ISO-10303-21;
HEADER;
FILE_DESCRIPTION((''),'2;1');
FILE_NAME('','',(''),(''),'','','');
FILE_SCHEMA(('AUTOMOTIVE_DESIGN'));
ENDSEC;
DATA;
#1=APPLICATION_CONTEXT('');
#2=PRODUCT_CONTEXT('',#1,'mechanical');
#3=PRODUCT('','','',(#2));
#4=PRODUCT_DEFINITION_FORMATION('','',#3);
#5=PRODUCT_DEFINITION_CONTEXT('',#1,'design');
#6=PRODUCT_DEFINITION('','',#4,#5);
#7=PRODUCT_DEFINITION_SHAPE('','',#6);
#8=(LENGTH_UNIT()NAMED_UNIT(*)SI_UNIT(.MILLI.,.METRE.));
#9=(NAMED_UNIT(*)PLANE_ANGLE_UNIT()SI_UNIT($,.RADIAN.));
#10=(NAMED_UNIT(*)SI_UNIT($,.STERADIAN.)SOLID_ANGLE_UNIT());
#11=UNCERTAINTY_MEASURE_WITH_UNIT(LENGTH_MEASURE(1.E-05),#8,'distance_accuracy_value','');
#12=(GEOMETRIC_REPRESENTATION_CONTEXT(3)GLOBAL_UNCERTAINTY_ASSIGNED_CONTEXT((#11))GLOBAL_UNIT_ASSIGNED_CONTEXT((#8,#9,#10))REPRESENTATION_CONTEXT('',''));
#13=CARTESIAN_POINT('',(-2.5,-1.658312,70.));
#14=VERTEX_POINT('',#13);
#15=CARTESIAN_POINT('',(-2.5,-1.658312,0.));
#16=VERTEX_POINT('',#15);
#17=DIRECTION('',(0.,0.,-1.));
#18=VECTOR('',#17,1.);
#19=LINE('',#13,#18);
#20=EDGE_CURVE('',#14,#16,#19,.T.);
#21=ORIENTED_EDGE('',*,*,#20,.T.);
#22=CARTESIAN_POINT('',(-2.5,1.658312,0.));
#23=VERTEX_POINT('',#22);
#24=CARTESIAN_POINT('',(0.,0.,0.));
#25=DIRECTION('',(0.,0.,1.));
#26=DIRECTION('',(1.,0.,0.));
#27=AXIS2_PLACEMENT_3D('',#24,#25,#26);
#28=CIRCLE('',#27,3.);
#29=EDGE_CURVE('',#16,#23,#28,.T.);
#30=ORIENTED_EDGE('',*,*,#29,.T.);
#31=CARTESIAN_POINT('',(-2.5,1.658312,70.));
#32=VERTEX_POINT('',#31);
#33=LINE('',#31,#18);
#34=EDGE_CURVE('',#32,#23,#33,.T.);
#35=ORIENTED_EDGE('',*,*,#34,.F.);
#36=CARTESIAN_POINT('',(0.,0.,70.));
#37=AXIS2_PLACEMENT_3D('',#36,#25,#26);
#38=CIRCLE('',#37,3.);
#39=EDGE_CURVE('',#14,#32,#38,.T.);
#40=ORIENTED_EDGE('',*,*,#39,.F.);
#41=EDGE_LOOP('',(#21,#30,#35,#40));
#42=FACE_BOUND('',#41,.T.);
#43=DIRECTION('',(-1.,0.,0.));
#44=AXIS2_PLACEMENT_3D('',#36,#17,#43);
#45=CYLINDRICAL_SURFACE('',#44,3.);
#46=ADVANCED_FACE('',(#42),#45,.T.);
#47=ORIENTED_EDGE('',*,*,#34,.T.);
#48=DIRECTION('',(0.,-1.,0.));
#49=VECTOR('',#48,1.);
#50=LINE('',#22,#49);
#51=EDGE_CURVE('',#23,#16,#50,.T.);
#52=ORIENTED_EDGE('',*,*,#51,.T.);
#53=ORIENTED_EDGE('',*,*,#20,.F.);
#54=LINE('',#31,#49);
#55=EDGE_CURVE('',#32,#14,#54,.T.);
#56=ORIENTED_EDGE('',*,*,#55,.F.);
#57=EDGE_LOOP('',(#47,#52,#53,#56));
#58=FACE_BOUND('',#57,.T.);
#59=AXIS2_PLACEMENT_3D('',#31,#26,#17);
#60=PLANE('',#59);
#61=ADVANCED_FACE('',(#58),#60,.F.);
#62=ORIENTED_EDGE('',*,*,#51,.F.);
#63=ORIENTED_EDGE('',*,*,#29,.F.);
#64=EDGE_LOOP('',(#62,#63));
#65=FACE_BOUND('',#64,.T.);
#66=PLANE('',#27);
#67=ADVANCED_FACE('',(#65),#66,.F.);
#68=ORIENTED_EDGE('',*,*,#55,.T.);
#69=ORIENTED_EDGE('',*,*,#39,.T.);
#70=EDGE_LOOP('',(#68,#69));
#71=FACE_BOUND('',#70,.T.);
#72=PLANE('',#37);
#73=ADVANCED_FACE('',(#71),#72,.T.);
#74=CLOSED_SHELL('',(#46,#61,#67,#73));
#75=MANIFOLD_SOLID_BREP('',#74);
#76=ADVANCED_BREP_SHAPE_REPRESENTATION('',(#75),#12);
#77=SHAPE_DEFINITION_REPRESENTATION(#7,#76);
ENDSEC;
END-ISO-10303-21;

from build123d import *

# Parameters (mm, degrees)
BOSS_EXTRUDE1_DEPTH = 70


with BuildPart() as part:
    # Sketch1 → Boss-Extrude1 (new body)
    with BuildSketch(Plane.XY):
        with BuildLine():
            Line((-2.5, 1.658312395), (-2.5, -1.658312395))
            ThreePointArc((-2.5, -1.658312395), (3, 0), (-2.5, 1.658312395))
        make_face()
    extrude(amount=BOSS_EXTRUDE1_DEPTH)


solid = part.part
